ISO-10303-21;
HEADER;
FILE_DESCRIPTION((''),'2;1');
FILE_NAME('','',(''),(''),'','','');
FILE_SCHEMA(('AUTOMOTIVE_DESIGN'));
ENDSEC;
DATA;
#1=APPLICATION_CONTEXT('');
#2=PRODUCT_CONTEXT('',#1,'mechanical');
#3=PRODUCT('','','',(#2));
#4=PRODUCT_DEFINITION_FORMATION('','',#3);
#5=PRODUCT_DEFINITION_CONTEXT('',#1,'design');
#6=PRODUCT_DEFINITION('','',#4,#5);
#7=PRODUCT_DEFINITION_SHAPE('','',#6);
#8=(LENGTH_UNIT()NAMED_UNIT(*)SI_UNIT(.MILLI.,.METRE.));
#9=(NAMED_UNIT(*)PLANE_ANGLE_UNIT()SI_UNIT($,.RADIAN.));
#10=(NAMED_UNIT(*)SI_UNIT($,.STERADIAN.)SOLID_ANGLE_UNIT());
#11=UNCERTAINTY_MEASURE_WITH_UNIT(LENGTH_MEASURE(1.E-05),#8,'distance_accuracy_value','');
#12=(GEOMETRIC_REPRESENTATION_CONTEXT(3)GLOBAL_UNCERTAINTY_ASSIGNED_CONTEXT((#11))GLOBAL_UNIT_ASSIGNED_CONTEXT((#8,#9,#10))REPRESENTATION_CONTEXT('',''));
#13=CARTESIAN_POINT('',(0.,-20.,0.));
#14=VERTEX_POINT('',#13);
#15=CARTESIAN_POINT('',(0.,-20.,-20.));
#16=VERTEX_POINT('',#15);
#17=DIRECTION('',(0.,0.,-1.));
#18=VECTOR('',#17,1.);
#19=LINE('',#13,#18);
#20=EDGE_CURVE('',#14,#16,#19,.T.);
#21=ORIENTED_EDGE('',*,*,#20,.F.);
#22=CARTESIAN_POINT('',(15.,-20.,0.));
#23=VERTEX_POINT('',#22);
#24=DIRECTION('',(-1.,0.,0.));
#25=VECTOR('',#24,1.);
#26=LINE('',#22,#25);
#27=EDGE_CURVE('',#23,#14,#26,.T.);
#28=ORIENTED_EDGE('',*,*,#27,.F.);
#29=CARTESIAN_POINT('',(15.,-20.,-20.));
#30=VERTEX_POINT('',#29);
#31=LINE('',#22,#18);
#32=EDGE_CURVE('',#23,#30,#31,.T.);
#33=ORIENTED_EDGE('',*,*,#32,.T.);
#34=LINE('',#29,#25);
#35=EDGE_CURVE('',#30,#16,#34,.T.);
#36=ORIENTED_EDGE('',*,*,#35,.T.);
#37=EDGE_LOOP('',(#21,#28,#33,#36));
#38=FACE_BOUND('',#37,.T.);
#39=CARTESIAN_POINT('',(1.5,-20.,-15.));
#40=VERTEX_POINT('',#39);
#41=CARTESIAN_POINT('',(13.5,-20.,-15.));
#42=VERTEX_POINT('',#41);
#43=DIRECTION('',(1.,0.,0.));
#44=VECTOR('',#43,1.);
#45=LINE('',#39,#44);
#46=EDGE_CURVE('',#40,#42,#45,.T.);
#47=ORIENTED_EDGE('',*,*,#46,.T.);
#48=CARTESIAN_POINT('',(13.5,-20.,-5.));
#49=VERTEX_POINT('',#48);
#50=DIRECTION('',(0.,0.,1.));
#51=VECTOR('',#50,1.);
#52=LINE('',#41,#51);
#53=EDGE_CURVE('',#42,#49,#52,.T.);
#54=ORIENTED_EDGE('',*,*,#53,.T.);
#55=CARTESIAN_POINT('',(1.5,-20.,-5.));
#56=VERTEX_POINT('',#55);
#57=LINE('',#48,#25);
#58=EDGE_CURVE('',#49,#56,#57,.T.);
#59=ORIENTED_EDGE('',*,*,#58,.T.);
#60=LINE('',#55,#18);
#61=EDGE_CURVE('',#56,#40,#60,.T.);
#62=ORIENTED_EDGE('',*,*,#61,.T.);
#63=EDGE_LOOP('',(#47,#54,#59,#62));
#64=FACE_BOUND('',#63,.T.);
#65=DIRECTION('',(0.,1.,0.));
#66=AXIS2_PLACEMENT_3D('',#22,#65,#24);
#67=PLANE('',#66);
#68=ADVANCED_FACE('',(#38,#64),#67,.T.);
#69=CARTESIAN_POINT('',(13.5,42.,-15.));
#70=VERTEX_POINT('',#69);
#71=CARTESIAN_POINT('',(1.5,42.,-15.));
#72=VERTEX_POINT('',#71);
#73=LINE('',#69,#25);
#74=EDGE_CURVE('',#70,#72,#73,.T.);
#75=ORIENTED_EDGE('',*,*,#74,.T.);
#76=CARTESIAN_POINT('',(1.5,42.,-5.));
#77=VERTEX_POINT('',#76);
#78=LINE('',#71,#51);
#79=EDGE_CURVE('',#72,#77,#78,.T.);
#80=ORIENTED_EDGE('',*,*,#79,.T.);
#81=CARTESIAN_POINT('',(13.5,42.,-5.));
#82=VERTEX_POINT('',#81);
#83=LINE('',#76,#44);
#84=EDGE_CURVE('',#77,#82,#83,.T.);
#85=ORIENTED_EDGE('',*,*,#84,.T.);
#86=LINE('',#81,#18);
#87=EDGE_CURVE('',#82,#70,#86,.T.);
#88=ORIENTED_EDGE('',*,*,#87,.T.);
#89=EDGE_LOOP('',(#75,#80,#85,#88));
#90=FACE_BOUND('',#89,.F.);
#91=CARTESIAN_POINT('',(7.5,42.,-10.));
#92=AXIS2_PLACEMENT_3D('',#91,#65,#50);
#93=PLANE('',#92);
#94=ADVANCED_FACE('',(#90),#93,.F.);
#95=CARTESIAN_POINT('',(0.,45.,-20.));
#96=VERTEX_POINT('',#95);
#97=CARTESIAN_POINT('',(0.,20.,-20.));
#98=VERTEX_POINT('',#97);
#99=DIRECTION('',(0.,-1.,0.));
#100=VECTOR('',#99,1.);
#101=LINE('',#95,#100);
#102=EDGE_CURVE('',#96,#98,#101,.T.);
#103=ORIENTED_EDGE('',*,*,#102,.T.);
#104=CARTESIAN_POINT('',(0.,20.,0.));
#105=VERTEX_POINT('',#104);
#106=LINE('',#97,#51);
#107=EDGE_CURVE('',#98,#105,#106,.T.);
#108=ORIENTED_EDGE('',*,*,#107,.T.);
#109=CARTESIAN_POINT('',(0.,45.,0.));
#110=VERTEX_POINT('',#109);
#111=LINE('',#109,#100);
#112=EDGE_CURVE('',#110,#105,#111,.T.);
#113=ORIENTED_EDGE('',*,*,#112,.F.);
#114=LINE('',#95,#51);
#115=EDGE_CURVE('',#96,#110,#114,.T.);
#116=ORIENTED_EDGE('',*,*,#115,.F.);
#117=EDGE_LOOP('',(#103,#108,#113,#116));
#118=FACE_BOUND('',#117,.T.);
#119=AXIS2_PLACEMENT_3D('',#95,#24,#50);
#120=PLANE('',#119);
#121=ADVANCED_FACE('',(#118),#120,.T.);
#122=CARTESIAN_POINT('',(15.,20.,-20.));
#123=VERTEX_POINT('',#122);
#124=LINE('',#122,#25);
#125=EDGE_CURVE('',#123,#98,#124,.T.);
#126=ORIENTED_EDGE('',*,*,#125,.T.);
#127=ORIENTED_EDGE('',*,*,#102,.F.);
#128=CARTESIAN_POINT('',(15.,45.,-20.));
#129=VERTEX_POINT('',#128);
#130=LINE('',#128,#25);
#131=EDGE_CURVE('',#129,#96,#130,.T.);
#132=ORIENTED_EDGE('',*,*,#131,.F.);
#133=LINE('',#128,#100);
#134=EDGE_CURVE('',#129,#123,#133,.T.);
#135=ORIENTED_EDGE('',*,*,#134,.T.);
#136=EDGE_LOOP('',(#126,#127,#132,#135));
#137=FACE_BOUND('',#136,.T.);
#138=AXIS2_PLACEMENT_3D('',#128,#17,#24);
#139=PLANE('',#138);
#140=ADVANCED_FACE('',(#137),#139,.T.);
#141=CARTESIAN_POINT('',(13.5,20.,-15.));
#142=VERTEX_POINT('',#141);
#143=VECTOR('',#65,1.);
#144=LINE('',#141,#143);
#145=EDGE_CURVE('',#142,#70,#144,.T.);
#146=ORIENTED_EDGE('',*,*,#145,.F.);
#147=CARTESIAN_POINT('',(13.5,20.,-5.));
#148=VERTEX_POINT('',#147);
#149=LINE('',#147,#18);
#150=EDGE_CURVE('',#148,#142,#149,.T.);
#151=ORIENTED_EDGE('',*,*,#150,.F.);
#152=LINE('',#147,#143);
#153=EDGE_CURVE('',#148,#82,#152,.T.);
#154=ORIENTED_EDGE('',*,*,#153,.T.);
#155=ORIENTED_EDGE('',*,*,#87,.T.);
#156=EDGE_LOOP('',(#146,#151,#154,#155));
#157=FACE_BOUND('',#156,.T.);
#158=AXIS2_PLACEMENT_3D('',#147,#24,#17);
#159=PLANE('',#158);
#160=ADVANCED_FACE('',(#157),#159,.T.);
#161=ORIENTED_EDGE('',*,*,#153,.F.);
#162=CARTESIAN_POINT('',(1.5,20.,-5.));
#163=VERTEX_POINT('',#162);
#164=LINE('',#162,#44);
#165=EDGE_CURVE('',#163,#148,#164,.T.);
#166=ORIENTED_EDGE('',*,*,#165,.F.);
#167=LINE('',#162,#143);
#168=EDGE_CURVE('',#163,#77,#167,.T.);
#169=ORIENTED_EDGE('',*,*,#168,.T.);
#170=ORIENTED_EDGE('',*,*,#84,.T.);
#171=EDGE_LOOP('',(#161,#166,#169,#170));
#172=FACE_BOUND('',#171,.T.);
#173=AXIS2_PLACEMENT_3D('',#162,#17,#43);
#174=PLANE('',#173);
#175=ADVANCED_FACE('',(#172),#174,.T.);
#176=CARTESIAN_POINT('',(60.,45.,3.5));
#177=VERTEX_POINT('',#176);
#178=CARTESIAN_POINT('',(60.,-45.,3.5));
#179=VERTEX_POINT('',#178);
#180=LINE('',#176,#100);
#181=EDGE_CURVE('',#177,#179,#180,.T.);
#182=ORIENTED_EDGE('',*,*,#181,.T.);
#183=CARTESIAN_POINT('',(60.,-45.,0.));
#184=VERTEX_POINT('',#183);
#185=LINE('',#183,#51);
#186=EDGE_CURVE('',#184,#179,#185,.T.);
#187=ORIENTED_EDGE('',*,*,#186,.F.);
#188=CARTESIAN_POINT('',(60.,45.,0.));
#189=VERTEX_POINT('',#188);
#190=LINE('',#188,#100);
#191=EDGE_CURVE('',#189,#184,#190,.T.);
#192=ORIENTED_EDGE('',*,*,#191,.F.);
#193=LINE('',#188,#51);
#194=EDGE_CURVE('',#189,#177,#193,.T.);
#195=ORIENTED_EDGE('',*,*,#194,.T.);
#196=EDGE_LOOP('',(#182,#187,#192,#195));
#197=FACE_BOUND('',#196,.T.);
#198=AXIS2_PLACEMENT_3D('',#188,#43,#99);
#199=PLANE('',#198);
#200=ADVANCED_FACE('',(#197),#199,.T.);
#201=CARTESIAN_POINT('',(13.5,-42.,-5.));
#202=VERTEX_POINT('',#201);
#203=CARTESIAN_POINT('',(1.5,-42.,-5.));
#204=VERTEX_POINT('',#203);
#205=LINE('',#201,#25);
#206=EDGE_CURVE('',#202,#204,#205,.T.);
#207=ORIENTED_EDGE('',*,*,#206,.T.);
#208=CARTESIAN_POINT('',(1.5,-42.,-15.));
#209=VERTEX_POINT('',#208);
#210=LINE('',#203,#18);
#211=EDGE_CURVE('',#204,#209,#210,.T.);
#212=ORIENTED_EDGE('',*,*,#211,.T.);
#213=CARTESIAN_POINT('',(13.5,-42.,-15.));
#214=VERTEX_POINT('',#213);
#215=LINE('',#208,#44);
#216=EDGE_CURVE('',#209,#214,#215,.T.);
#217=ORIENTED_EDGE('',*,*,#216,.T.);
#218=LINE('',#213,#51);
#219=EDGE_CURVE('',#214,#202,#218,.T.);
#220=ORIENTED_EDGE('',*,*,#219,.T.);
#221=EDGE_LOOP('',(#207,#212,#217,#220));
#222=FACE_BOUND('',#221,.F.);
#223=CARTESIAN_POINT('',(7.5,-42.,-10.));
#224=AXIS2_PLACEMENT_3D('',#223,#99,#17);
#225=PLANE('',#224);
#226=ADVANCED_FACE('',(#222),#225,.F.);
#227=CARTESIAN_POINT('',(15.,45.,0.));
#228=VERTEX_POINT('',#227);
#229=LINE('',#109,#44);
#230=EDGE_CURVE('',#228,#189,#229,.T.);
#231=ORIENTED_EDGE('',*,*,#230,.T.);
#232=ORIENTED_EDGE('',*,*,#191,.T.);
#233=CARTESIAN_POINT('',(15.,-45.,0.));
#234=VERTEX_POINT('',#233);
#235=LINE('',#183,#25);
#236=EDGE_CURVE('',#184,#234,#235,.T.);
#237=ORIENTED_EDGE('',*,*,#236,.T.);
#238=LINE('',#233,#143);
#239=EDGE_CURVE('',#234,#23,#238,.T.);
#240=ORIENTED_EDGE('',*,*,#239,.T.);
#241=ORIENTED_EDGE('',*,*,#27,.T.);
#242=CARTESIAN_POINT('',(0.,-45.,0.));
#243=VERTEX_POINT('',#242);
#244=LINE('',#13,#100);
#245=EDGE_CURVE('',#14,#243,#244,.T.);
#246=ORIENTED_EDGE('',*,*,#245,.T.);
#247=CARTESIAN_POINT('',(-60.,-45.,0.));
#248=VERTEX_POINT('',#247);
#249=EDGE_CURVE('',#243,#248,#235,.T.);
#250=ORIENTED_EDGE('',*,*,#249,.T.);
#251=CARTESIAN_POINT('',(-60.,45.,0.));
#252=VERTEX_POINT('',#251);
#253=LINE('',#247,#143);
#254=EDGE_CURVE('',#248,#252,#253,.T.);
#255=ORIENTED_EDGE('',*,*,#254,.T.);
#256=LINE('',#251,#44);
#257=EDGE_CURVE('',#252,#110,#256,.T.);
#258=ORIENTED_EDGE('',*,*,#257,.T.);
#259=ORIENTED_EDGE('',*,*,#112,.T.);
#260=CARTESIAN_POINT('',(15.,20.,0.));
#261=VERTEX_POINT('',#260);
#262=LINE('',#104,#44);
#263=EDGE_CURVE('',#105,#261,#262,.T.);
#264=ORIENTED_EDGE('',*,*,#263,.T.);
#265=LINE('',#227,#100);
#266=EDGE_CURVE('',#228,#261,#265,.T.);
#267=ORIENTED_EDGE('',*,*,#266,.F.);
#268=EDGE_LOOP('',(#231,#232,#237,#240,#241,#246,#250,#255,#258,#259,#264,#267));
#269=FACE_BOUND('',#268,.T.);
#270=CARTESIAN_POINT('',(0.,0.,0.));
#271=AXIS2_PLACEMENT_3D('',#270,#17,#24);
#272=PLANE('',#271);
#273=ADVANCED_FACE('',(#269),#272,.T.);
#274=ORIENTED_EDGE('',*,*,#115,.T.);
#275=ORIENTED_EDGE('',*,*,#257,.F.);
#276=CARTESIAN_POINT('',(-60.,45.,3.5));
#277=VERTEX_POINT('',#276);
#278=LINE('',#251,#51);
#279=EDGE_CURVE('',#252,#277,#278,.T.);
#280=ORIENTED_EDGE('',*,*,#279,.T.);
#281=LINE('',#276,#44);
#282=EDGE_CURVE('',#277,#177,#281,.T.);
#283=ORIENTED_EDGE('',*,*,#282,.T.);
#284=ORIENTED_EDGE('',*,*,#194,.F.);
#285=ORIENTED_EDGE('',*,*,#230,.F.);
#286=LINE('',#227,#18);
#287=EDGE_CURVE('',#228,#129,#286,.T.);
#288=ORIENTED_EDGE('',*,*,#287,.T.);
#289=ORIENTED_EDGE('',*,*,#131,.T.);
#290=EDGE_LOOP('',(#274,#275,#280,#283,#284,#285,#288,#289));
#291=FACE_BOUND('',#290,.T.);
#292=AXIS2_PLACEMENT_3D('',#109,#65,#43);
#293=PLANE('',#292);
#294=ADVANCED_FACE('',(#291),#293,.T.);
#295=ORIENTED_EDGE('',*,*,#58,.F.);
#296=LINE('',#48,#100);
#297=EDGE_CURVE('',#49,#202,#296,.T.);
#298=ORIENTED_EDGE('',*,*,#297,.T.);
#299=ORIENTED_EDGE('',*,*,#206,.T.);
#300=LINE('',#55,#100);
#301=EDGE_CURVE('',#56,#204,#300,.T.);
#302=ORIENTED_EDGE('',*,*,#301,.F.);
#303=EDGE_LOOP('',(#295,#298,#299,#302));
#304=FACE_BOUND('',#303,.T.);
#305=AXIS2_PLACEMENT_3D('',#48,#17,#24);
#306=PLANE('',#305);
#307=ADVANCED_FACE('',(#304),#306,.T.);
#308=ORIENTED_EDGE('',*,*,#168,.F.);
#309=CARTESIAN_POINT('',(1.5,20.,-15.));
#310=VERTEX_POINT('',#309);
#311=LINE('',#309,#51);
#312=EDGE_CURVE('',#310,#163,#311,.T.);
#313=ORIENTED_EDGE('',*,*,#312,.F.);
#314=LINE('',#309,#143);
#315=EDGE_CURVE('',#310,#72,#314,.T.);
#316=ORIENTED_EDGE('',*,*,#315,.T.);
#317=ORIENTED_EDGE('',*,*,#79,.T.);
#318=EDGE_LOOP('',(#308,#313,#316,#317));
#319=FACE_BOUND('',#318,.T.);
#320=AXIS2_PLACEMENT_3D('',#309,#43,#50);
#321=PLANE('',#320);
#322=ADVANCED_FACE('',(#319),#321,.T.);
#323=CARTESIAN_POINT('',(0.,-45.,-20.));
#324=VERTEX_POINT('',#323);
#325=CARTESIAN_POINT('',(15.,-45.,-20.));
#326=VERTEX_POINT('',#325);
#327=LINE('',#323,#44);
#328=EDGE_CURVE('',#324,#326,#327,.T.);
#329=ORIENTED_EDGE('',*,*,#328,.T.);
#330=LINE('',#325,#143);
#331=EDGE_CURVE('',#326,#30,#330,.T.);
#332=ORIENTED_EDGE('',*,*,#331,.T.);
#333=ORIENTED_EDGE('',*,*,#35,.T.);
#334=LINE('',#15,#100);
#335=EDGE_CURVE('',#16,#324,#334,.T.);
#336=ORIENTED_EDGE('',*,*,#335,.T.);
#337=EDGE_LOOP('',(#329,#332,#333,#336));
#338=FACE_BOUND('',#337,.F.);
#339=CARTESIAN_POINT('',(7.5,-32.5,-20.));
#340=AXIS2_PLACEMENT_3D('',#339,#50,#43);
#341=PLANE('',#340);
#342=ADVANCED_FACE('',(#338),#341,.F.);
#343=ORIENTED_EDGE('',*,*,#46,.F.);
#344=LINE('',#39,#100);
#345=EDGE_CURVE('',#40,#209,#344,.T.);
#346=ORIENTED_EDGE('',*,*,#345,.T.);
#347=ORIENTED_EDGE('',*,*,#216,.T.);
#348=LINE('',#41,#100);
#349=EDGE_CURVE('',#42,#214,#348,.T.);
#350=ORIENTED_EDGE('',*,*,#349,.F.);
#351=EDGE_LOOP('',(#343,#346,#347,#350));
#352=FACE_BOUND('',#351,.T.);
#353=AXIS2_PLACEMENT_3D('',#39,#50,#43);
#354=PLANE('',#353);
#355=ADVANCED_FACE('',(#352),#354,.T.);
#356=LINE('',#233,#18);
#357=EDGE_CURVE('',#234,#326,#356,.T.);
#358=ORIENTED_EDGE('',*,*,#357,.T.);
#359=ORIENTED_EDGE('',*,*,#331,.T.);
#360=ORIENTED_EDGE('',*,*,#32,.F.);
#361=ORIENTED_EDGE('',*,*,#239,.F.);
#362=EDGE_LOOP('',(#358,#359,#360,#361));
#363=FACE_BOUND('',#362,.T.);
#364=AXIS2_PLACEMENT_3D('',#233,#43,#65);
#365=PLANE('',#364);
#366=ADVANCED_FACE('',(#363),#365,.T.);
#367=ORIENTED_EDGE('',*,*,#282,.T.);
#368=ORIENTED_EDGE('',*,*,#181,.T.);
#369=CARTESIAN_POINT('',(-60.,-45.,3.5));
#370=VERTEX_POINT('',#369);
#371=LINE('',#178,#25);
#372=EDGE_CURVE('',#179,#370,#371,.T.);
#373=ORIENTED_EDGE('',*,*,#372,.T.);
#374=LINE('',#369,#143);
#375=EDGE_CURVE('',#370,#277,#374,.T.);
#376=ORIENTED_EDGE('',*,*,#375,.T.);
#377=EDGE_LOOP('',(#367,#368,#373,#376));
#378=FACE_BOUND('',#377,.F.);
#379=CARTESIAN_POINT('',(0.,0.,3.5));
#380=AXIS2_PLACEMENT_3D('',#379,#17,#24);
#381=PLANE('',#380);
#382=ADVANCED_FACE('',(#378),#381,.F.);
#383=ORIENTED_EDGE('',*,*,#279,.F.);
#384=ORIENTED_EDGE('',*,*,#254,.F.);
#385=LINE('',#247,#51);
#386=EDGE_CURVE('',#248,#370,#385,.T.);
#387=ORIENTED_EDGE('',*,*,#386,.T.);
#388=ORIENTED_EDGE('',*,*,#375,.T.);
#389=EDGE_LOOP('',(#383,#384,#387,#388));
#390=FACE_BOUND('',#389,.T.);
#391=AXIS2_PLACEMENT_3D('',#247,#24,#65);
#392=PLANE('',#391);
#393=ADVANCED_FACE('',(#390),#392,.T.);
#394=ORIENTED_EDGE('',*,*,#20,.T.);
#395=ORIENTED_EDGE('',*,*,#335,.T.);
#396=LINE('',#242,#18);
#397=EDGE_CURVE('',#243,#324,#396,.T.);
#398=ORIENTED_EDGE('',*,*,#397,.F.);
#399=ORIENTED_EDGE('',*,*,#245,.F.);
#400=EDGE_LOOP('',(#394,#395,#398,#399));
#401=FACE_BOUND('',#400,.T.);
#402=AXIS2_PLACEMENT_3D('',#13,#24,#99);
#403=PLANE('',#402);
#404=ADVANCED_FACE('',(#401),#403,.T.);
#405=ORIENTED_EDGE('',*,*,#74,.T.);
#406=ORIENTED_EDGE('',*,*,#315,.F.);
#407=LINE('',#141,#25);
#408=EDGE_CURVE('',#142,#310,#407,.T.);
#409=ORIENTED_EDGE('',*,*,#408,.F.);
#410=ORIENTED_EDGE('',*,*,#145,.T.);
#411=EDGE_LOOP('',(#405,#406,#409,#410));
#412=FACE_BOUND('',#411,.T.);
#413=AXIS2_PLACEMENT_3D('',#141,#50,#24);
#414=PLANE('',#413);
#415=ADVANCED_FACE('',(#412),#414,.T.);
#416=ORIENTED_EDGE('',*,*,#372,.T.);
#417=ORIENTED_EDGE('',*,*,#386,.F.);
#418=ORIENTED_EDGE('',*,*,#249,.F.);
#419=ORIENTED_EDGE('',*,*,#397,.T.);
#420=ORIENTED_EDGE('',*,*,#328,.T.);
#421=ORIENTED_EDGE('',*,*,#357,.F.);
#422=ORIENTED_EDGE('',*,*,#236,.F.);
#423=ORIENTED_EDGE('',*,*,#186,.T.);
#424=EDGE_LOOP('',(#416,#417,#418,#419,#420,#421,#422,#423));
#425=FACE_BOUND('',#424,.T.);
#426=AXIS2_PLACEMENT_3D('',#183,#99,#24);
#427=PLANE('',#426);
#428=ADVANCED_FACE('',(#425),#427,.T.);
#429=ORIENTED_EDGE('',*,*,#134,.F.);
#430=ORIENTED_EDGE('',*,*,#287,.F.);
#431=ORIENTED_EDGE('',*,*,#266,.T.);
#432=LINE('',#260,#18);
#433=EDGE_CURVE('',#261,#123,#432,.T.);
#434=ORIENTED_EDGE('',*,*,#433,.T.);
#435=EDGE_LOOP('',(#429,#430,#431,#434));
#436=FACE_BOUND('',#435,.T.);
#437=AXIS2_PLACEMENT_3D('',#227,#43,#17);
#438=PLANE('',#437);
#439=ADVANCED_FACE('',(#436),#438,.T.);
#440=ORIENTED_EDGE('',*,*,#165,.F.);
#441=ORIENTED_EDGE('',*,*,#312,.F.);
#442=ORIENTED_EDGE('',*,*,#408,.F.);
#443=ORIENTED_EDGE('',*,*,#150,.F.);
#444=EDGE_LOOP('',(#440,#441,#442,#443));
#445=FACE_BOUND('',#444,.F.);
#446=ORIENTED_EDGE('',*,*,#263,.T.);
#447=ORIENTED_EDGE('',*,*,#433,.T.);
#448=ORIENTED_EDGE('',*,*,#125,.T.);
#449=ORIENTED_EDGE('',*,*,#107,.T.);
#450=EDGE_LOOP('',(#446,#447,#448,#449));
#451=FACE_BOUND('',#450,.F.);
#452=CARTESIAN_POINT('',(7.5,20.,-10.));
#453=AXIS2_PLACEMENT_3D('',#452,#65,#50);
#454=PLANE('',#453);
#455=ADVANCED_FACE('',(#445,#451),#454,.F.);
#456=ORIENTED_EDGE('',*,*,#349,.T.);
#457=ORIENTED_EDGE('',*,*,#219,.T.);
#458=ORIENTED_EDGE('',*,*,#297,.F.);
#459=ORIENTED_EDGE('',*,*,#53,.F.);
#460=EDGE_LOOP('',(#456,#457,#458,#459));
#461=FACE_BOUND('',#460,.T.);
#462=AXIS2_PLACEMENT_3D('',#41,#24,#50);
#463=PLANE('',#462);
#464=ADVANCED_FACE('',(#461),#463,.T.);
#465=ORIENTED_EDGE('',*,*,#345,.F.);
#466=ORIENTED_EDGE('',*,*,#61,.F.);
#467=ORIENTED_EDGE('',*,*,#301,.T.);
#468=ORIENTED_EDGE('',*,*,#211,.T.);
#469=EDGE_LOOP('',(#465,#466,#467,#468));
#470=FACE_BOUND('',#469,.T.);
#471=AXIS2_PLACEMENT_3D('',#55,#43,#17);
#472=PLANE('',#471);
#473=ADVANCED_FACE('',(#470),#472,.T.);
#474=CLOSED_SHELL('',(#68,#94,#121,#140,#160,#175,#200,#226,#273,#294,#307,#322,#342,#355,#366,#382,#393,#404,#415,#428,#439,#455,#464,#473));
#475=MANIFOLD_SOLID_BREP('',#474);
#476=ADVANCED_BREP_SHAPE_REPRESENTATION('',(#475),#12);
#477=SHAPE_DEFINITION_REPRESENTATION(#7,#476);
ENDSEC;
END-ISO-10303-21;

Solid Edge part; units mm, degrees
sketch "Sketch1" plane through (0, 0, 0) normal (0, 0, 1) x (1, 0, 0)
  line L0 (0, 45) -> (60, 45)
  line L1 (60, 45) -> (60, -45)
  line L2 (60, -45) -> (-60, -45)
  line L3 (-60, -45) -> (-60, 45)
  line L4 (-60, 45) -> (0, 45)
extrude "Protrusion1" add sketch "Sketch1" along normal blind 3.5
sketch "Sketch2" plane through (0, 45, 1.75) normal (0, 1, 0) x (-1, 0, 0)
  line L0 (-15, -1.75) -> (-15, -21.75)
  line L1 (-15, -21.75) -> (0, -21.75)
  line L2 (0, -21.75) -> (0, -1.75)
  line L3 (0, -1.75) -> (-15, -1.75)
extrude "ExtrudedProtrusion_3" add sketch "Sketch2" against normal blind 25
sketch "Sketch3" plane through (7.5, 20, -10) normal (0, -1, 0) x (-1, 0, 0)
  line L0 (-6, 5) -> (6, 5)
  line L1 (6, 5) -> (6, -5)
  line L2 (6, -5) -> (-6, -5)
  line L3 (-6, -5) -> (-6, 5)
extrude "ExtrudedCutout_3" cut sketch "Sketch3" against normal blind 22
sketch "Sketch4" plane through (0, 0, 0) normal (0, 0, -1) x (-1, 0, 0)
  line L0 (0, -45) -> (-15, -45)
  line L1 (-15, -45) -> (-15, -20)
  line L2 (-15, -20) -> (0, -20)
  line L3 (0, -20) -> (0, -45)
extrude "ExtrudedProtrusion_5" add sketch "Sketch4" along normal blind 20
sketch "Sketch5" plane through (7.5, -20, -10) normal (0, 1, 0) x (-1, 0, 0)
  line L0 (-6, 5) -> (6, 5)
  line L1 (6, 5) -> (6, -5)
  line L2 (6, -5) -> (-6, -5)
  line L3 (-6, -5) -> (-6, 5)
extrude "ExtrudedCutout_4" cut sketch "Sketch5" against normal blind 22
